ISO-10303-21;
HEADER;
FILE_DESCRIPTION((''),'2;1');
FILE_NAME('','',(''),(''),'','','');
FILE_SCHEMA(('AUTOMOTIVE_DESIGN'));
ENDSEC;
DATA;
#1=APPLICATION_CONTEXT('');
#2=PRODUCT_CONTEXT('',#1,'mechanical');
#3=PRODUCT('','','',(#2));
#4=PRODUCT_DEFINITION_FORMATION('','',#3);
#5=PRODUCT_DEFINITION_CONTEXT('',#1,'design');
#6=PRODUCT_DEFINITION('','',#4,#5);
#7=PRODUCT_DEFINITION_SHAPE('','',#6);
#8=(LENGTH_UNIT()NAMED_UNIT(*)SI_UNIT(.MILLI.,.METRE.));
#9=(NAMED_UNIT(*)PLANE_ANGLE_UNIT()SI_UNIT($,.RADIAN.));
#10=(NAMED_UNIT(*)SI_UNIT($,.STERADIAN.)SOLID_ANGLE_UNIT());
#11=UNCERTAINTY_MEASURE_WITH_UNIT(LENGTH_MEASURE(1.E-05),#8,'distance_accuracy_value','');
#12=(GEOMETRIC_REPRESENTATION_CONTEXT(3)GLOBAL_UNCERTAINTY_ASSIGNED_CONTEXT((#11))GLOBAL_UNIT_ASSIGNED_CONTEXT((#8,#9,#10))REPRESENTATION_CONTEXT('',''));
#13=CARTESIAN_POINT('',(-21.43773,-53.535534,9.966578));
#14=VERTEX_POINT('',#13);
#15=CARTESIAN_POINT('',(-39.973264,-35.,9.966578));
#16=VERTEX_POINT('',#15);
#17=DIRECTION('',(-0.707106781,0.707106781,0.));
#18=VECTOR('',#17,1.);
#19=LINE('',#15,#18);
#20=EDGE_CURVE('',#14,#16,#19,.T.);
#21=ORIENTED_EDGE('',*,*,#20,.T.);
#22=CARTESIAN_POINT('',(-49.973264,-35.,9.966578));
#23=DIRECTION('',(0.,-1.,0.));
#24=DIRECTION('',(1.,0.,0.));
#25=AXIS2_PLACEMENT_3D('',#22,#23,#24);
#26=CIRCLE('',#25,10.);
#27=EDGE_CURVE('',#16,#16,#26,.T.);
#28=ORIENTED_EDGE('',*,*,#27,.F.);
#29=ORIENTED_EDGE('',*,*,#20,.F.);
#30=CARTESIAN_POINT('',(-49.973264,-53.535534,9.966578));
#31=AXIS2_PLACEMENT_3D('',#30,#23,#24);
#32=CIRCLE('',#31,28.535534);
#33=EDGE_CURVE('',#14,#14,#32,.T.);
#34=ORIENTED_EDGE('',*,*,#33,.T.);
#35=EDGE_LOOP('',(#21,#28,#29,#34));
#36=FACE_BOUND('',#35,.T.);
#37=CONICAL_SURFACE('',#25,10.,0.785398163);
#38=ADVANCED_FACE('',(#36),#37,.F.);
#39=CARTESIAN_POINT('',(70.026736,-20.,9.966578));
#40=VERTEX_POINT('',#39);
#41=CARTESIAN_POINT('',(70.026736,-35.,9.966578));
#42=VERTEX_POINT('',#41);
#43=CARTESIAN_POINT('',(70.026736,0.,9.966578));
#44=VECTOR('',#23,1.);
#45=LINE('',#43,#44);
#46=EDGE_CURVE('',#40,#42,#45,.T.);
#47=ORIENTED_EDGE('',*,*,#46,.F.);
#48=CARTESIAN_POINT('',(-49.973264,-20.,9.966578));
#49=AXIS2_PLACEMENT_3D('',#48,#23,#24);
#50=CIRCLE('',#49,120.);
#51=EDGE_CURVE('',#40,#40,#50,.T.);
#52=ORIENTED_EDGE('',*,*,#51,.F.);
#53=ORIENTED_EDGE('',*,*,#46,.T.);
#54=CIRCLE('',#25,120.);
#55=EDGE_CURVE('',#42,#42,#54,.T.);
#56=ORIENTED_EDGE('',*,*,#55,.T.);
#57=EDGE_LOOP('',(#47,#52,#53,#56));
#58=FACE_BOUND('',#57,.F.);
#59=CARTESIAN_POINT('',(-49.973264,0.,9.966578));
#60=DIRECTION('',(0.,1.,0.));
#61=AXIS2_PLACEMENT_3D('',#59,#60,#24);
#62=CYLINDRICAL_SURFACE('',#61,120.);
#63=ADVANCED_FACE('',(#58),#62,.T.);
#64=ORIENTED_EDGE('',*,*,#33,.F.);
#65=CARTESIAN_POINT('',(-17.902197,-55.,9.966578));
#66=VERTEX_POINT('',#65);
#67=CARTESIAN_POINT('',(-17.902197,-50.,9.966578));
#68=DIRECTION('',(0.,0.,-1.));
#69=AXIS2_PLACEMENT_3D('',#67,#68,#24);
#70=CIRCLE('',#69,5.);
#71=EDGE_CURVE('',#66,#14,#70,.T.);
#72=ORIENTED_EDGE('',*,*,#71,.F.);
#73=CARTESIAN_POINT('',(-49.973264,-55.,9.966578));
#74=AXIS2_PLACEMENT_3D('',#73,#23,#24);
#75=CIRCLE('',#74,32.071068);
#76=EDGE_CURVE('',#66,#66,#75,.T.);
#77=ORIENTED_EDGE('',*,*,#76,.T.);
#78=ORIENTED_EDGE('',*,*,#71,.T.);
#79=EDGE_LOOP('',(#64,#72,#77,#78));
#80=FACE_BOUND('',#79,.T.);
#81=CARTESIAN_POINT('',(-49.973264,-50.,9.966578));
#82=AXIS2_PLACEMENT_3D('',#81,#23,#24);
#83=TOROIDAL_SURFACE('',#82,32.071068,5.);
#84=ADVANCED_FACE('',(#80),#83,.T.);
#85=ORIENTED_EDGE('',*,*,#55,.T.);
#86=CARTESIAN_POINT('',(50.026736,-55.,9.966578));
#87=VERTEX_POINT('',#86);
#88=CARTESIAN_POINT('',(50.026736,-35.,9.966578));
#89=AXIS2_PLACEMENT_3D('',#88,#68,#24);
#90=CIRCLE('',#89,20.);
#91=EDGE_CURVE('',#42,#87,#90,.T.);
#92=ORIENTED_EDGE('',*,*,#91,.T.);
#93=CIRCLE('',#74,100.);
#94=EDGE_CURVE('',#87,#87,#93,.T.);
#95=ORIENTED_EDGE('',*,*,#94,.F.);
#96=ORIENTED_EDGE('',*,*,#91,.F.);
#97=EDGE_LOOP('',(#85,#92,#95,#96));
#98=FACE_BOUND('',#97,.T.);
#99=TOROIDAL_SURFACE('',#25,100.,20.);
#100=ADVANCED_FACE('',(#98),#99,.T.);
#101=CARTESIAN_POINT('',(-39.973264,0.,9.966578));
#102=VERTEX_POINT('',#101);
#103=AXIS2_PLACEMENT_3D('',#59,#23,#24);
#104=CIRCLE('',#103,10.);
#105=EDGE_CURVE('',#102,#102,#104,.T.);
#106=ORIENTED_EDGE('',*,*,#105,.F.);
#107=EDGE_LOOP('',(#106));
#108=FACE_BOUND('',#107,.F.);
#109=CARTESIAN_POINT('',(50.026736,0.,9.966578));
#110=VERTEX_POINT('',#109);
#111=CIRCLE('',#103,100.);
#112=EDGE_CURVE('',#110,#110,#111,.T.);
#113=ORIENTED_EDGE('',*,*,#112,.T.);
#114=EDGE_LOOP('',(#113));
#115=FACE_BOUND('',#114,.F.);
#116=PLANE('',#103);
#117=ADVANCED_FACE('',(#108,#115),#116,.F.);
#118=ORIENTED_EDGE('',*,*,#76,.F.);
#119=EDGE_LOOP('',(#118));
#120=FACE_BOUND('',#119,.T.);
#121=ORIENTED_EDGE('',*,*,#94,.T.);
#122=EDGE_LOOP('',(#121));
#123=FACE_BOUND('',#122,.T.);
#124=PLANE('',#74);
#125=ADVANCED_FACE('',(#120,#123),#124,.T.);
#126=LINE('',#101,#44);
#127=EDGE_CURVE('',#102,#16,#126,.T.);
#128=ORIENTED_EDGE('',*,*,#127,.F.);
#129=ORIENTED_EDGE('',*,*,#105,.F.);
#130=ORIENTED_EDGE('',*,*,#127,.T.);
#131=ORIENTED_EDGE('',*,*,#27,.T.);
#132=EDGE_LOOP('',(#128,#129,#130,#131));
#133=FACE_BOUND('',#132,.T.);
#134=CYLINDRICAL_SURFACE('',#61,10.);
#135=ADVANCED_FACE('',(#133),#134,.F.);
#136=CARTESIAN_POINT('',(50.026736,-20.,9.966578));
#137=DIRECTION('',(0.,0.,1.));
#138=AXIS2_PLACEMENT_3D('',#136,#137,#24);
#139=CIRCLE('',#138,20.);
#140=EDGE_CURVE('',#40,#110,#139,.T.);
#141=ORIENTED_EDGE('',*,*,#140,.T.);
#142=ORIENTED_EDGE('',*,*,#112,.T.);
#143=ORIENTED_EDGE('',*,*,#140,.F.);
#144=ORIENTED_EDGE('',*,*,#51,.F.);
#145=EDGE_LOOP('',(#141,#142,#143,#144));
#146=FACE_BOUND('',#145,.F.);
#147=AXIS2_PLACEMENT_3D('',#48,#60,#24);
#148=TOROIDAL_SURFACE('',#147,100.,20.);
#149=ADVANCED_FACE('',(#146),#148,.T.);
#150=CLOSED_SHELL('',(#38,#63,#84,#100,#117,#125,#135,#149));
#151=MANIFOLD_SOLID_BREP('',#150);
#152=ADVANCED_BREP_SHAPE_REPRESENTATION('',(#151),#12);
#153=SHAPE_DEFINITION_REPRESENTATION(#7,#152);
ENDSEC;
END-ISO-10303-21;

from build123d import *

# Parameters (mm, degrees)
F0_R     = 120
F0_R_2   = 10
F1_DEPTH = 55
F2_R     = 20
F3_SIZE  = 20
F4_R     = 5


with BuildPart() as f1:
    # F0 (on Front) → F1 (new body)
    with BuildSketch(Plane.XZ):
        with Locations((-49.9732643366, 9.9665783346)):
            Circle(F0_R)
        with Locations((-49.9732643366, 9.9665783346)):
            Circle(F0_R_2, mode=Mode.SUBTRACT)
    extrude(amount=F1_DEPTH)

    # F2
    f2_edges = [f1.edges().sort_by_distance(p)[0] for p in [
        (-169.973264, -55, 9.966578),
        (-169.973264, 0, 9.966578),
    ]]
    fillet(f2_edges, radius=F2_R)

    # F3
    f3_edges = [f1.edges().sort_by_distance(p)[0] for p in [
        (-59.973264, -55, 9.966578),
    ]]
    chamfer(f3_edges, length=F3_SIZE)

    # F4
    f4_edges = [f1.edges().sort_by_distance(p)[0] for p in [
        (-79.973264, -55, 9.966578),
        (-149.973264, -55, 9.966578),
    ]]
    fillet(f4_edges, radius=F4_R)


solid = f1.part
